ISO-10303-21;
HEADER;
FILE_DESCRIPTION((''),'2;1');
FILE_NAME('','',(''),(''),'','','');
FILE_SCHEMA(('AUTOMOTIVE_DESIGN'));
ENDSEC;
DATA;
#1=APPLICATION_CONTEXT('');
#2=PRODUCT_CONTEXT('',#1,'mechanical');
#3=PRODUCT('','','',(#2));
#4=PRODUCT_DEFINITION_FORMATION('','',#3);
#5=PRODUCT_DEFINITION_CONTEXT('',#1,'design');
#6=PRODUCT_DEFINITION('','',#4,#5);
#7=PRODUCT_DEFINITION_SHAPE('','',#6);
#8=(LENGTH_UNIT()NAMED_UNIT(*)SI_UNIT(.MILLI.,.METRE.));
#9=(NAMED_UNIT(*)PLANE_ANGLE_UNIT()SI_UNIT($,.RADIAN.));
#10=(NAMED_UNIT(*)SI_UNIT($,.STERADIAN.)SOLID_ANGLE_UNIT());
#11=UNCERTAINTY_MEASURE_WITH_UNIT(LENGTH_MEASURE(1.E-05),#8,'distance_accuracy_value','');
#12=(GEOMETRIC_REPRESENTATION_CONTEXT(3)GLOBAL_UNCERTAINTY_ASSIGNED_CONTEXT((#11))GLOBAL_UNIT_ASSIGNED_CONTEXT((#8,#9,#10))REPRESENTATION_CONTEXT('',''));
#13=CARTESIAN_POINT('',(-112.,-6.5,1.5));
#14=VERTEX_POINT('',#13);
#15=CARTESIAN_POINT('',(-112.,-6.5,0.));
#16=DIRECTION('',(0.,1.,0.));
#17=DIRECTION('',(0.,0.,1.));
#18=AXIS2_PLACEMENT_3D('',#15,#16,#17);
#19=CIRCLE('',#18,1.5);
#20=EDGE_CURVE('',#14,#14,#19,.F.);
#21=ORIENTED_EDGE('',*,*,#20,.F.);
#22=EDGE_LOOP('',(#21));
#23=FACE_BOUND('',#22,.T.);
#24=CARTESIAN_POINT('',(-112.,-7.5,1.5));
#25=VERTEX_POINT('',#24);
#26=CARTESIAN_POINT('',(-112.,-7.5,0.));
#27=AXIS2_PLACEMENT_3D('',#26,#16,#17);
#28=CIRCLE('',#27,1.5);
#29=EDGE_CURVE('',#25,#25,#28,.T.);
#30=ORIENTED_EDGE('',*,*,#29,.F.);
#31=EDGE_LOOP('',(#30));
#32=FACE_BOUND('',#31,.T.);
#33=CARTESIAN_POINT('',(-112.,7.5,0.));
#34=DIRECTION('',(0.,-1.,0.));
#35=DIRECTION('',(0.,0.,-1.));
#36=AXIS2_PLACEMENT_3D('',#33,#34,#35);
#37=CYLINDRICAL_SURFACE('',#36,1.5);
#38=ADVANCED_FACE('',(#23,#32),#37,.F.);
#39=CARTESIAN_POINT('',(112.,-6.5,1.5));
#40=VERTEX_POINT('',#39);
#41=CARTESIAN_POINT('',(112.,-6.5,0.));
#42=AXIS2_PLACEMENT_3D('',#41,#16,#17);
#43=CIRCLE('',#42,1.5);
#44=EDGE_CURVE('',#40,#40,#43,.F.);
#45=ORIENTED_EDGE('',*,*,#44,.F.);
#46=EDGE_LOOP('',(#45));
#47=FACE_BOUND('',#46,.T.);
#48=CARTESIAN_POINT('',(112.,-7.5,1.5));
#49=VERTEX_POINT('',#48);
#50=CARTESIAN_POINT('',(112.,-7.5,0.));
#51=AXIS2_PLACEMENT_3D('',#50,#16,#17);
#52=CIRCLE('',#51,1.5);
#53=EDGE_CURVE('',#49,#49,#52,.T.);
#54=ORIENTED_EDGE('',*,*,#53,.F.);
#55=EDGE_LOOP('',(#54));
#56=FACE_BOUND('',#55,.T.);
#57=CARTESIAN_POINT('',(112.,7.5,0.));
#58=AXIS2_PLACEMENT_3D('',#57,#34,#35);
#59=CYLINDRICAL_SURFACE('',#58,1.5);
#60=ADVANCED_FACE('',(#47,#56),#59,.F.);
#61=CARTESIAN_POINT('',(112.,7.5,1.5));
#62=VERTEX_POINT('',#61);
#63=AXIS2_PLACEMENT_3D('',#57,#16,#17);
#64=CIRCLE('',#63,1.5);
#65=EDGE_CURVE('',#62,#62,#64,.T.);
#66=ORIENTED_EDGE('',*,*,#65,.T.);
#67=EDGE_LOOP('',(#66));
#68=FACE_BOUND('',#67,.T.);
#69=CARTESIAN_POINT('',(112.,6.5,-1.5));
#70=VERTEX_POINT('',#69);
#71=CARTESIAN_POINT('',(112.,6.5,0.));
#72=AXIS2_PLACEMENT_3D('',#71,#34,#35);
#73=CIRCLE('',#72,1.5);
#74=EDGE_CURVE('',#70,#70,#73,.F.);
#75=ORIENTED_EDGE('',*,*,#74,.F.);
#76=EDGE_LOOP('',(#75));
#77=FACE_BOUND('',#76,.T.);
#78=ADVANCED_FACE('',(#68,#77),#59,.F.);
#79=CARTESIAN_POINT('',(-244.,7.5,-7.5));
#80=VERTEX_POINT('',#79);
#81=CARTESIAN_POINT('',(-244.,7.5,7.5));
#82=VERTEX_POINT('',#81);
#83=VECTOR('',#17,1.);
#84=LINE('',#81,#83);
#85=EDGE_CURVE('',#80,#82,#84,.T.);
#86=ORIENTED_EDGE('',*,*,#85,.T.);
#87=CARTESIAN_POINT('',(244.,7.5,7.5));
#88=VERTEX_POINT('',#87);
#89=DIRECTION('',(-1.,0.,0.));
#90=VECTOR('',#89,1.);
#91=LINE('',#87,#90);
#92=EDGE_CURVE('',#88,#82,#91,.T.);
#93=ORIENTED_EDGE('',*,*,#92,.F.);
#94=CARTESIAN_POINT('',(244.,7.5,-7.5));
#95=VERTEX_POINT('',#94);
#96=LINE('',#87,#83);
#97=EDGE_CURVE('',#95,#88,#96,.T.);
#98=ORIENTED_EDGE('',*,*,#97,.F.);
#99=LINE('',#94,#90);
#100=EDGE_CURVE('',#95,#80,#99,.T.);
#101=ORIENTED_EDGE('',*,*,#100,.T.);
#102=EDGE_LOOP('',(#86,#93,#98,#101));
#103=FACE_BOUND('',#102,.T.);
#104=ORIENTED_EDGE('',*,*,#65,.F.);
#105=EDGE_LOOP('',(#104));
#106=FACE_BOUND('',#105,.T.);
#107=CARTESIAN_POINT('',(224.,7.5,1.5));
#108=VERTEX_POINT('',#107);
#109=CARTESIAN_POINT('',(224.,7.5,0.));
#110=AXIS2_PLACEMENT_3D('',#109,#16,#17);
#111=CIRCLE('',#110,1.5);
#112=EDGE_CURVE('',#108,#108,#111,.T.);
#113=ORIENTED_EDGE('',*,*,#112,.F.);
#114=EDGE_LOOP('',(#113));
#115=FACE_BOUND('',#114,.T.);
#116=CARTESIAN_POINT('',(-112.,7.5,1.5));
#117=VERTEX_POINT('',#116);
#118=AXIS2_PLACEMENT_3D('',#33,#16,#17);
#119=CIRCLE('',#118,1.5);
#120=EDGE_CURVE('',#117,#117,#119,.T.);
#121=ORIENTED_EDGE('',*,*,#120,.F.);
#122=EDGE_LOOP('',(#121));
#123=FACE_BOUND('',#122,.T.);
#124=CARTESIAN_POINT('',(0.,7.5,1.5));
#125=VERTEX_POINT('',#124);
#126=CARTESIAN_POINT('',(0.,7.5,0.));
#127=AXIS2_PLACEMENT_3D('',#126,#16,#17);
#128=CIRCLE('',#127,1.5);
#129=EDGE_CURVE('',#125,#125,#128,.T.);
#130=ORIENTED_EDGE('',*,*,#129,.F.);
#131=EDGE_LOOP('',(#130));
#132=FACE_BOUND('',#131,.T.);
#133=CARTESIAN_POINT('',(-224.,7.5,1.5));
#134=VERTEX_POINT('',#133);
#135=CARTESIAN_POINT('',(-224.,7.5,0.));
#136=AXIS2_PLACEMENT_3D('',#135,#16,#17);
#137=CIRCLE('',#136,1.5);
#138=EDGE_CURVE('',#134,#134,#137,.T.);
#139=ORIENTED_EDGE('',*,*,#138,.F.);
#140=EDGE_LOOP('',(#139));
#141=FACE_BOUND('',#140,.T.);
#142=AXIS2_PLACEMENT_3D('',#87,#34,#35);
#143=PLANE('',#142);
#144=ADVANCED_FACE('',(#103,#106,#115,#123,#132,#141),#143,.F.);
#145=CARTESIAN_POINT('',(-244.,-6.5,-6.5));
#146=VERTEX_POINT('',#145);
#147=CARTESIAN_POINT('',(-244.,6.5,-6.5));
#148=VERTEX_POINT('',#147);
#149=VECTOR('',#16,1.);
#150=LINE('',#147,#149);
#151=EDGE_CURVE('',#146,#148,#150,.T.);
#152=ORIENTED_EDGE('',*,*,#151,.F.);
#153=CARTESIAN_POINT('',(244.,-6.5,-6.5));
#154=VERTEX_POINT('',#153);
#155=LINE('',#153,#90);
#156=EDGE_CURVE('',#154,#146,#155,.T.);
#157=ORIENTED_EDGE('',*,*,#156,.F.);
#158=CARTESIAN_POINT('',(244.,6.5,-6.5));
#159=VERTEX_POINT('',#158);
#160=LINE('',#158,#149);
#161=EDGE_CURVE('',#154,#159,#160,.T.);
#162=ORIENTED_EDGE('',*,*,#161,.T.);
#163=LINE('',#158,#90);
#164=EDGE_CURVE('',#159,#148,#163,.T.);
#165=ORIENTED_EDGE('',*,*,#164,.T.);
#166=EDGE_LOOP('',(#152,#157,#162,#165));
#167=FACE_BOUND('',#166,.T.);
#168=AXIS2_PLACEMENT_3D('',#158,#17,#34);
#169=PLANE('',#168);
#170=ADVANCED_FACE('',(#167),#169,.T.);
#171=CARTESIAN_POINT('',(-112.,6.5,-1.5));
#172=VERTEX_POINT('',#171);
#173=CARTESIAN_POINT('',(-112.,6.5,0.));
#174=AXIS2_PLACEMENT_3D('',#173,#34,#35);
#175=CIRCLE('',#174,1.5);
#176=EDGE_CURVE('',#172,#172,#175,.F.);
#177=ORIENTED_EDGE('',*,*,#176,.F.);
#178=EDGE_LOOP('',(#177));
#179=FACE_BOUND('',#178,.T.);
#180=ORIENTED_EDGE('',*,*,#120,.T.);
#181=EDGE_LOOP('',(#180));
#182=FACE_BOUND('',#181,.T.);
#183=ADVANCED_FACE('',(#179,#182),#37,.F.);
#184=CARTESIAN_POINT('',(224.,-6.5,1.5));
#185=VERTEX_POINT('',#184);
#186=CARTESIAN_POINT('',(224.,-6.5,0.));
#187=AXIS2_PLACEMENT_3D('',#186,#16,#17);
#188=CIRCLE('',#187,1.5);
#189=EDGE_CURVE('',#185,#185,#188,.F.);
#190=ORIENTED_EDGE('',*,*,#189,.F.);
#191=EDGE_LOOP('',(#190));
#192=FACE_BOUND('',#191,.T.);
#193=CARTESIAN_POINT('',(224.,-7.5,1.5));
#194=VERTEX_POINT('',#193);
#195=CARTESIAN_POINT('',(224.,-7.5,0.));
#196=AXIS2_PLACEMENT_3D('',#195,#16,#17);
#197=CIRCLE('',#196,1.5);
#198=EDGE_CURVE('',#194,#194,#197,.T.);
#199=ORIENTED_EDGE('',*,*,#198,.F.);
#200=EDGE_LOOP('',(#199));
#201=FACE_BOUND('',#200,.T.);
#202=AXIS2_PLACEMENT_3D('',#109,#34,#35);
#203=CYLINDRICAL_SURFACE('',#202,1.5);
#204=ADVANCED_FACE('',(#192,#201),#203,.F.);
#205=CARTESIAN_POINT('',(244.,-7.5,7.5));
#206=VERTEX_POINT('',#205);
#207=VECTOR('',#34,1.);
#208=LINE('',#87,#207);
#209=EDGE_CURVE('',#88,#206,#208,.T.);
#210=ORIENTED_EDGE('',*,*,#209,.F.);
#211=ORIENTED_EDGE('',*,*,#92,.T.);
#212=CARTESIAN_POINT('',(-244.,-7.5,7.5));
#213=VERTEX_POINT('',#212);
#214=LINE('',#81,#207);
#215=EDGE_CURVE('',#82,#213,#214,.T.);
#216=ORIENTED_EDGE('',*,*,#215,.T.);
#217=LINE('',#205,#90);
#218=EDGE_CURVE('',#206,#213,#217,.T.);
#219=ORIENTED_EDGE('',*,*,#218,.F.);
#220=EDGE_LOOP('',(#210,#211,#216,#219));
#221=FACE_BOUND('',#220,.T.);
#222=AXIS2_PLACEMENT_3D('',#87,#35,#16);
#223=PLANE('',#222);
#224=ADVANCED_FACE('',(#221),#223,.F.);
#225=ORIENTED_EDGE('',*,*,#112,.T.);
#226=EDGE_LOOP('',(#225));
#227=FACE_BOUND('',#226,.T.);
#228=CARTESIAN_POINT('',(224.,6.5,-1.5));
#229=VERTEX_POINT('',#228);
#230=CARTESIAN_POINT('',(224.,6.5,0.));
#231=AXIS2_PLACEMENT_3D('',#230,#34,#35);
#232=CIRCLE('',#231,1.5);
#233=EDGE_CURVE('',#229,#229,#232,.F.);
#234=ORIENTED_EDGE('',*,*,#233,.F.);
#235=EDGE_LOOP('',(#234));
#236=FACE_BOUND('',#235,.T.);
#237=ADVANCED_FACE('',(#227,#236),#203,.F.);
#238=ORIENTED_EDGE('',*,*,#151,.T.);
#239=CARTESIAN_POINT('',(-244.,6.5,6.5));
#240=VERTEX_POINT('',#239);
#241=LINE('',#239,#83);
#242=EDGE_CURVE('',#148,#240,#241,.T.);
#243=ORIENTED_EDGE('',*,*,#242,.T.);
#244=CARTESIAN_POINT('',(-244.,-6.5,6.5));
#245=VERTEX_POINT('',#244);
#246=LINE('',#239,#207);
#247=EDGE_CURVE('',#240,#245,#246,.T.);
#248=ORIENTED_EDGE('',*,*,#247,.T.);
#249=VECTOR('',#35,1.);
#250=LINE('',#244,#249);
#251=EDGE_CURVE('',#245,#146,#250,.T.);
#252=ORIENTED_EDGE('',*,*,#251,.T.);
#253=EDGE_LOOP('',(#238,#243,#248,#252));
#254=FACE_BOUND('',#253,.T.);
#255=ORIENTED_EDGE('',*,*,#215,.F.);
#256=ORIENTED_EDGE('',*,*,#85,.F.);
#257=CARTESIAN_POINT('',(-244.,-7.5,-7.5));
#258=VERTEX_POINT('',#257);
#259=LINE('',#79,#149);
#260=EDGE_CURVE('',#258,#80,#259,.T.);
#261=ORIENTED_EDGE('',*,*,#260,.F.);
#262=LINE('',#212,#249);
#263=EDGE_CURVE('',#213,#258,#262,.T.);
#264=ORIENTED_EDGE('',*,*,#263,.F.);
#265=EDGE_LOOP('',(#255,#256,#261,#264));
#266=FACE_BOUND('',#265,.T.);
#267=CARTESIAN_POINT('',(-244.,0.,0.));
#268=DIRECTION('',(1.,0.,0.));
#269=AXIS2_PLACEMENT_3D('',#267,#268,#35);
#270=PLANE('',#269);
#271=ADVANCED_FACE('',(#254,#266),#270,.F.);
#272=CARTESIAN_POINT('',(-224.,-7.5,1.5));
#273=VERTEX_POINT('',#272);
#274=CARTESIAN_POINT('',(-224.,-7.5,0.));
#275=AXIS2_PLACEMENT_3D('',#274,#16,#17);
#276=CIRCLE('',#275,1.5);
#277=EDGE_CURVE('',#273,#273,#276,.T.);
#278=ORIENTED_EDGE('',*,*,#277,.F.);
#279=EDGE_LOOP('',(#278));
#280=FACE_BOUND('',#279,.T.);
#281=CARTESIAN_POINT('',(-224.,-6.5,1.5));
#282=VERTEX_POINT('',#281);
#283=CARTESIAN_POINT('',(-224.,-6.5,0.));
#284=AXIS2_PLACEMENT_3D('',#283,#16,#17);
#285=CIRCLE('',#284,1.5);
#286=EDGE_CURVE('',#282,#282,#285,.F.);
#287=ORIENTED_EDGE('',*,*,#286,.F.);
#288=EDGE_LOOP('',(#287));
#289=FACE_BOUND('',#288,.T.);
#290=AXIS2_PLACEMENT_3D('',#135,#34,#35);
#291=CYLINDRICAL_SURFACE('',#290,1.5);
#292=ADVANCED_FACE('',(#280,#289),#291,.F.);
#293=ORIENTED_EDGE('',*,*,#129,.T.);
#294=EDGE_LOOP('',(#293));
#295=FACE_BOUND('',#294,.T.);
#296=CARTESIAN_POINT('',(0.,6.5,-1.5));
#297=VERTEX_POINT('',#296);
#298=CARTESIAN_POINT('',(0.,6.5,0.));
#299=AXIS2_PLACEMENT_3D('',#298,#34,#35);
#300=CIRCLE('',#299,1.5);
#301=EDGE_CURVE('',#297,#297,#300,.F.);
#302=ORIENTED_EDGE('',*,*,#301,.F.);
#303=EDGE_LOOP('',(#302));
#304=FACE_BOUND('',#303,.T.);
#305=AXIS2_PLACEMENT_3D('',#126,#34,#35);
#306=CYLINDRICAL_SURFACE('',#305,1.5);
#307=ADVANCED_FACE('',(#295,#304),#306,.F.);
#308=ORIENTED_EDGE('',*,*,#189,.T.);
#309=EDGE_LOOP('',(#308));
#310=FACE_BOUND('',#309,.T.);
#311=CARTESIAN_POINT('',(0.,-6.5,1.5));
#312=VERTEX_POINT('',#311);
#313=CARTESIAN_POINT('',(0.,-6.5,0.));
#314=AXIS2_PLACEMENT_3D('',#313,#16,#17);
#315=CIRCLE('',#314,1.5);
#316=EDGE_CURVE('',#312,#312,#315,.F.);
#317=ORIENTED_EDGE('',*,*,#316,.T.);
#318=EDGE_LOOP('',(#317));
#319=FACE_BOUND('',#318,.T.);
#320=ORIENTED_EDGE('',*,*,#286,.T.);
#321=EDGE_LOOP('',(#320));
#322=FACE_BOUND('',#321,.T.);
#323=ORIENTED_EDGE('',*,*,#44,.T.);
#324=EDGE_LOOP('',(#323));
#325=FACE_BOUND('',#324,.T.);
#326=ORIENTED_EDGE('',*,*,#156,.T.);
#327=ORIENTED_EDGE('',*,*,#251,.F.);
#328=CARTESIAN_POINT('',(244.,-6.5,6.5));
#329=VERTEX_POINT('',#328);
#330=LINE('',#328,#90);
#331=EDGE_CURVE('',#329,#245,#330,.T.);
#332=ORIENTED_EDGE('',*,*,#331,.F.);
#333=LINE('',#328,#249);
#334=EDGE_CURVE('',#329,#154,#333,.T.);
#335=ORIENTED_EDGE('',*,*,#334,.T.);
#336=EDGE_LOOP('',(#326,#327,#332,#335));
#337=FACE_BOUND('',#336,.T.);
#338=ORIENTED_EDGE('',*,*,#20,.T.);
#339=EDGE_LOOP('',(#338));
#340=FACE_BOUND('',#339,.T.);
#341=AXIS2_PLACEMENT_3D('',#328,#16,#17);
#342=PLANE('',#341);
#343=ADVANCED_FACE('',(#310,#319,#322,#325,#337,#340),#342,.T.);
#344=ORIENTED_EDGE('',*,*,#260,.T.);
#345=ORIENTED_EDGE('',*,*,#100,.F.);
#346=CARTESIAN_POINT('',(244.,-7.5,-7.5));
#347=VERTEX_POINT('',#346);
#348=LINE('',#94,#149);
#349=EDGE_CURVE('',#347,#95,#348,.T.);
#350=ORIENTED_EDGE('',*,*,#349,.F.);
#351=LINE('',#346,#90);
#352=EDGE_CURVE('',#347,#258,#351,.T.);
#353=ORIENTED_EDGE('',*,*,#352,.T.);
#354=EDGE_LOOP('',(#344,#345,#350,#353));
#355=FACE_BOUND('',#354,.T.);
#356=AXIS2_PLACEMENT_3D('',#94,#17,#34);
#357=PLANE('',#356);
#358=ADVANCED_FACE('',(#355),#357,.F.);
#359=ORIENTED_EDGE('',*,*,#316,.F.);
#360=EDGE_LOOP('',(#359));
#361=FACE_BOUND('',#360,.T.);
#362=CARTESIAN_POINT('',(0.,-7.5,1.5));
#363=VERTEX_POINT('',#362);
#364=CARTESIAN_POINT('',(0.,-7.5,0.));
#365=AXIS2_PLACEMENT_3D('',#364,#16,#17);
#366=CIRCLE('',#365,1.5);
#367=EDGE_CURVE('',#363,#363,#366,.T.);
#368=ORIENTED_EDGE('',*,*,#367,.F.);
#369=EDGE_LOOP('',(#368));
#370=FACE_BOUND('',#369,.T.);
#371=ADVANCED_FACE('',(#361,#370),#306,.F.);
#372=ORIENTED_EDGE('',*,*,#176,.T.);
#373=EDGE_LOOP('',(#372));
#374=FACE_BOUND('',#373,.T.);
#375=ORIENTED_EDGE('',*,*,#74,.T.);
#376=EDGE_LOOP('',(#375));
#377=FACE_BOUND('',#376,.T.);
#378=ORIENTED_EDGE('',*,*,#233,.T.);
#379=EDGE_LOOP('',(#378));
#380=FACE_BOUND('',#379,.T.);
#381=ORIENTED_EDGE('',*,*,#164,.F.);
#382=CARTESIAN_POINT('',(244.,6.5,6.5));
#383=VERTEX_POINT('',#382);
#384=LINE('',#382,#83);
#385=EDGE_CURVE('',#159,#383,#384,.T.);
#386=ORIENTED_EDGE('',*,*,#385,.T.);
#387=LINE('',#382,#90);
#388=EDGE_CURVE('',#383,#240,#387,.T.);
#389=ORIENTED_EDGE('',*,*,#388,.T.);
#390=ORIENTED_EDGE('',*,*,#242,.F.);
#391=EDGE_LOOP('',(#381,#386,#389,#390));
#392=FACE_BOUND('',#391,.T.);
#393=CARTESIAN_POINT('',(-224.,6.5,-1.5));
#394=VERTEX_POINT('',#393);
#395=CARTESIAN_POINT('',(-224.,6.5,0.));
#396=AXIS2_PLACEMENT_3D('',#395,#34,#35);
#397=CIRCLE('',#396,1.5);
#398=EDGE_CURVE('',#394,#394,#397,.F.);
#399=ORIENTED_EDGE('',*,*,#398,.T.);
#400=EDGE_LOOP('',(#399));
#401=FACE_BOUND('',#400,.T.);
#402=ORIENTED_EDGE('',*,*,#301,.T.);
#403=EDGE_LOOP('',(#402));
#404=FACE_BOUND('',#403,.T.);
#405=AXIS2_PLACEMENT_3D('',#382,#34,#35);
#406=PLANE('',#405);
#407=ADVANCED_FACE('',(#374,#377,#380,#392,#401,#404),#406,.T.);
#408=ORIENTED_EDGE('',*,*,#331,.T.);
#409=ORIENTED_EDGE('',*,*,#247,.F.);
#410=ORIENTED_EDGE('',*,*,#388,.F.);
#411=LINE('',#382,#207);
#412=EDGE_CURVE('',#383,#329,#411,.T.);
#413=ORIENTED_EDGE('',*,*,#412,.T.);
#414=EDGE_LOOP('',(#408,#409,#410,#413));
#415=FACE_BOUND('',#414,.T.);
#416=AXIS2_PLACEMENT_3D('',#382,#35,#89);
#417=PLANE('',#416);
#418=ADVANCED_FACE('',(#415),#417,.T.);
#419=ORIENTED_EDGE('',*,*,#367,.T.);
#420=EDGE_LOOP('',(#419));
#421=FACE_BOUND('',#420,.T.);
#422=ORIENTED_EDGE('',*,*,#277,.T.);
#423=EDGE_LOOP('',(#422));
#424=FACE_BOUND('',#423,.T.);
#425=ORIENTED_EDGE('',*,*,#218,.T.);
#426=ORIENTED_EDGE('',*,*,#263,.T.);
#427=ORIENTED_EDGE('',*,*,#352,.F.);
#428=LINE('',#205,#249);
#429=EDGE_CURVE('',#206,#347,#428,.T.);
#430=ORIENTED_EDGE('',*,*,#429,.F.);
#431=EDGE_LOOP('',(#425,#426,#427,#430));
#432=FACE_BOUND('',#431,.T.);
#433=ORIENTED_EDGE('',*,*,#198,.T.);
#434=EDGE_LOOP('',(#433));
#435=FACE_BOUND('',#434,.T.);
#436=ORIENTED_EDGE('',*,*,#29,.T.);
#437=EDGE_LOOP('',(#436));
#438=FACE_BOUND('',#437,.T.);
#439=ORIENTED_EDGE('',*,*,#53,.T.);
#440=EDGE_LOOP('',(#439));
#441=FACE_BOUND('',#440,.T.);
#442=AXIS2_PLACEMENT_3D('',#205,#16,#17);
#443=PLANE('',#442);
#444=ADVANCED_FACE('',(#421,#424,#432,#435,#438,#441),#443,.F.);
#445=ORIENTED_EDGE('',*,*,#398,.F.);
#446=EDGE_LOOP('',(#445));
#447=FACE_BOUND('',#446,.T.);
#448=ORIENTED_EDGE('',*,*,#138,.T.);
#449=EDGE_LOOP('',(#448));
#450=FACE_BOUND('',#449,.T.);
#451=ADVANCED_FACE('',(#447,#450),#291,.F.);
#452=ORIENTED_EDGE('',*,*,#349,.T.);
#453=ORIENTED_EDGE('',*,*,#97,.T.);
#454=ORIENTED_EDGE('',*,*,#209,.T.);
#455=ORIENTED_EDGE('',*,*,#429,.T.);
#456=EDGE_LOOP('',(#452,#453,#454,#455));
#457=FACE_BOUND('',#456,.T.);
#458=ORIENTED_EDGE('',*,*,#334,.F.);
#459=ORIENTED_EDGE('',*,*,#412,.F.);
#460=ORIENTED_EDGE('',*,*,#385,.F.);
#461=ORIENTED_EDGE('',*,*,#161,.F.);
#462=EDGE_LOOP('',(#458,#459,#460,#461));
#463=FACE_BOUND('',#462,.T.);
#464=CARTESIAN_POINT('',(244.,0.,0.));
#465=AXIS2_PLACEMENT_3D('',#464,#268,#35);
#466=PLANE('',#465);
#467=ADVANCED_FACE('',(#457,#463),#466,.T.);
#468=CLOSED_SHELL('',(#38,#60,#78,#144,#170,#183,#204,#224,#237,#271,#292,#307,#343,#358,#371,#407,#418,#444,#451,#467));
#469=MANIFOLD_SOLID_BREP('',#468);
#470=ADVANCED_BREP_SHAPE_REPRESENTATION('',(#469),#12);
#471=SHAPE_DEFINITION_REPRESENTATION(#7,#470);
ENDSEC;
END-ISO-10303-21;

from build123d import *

# Parameters (mm, degrees)
SKETCH_21_W         = 15
SKETCH_21_H         = 15
SKETCH_21_W_2       = 13
SKETCH_21_H_2       = 13
F_15X15X1_1_DEPTH   = 488
SKETCH_3_R          = 1.5
CUT_EXTRUDE_1_DEPTH = 245.575652917


with BuildPart() as part:
    # 草图21 → 矩形管 方铝管15X15X1(1) (new body)
    with BuildSketch(Plane(origin=(-244, 0, 0), x_dir=(0, 0, -1), z_dir=(1, 0, 0))):
        Rectangle(SKETCH_21_W, SKETCH_21_H)
        Rectangle(SKETCH_21_W_2, SKETCH_21_H_2, mode=Mode.SUBTRACT)
    extrude(amount=F_15X15X1_1_DEPTH)

    # 草图3 → 切除-拉伸1 (cut, through all)
    with BuildSketch(Plane(origin=(0, -7.5, 0), x_dir=(1, 0, 0), z_dir=(0, 1, 0))):
        with Locations(Location((-224, 0, 0), (0, 0, 270))):
            Circle(SKETCH_3_R)
        with Locations(Location((-112, 0, 0), (0, 0, 270))):
            Circle(SKETCH_3_R)
        with Locations(Location((0, 0, 0), (0, 0, 270))):
            Circle(SKETCH_3_R)
        with Locations(Location((112, 0, 0), (0, 0, 270))):
            Circle(SKETCH_3_R)
        with Locations(Location((224, 0, 0), (0, 0, 270))):
            Circle(SKETCH_3_R)
    extrude(amount=CUT_EXTRUDE_1_DEPTH, mode=Mode.SUBTRACT)


solid = part.part
